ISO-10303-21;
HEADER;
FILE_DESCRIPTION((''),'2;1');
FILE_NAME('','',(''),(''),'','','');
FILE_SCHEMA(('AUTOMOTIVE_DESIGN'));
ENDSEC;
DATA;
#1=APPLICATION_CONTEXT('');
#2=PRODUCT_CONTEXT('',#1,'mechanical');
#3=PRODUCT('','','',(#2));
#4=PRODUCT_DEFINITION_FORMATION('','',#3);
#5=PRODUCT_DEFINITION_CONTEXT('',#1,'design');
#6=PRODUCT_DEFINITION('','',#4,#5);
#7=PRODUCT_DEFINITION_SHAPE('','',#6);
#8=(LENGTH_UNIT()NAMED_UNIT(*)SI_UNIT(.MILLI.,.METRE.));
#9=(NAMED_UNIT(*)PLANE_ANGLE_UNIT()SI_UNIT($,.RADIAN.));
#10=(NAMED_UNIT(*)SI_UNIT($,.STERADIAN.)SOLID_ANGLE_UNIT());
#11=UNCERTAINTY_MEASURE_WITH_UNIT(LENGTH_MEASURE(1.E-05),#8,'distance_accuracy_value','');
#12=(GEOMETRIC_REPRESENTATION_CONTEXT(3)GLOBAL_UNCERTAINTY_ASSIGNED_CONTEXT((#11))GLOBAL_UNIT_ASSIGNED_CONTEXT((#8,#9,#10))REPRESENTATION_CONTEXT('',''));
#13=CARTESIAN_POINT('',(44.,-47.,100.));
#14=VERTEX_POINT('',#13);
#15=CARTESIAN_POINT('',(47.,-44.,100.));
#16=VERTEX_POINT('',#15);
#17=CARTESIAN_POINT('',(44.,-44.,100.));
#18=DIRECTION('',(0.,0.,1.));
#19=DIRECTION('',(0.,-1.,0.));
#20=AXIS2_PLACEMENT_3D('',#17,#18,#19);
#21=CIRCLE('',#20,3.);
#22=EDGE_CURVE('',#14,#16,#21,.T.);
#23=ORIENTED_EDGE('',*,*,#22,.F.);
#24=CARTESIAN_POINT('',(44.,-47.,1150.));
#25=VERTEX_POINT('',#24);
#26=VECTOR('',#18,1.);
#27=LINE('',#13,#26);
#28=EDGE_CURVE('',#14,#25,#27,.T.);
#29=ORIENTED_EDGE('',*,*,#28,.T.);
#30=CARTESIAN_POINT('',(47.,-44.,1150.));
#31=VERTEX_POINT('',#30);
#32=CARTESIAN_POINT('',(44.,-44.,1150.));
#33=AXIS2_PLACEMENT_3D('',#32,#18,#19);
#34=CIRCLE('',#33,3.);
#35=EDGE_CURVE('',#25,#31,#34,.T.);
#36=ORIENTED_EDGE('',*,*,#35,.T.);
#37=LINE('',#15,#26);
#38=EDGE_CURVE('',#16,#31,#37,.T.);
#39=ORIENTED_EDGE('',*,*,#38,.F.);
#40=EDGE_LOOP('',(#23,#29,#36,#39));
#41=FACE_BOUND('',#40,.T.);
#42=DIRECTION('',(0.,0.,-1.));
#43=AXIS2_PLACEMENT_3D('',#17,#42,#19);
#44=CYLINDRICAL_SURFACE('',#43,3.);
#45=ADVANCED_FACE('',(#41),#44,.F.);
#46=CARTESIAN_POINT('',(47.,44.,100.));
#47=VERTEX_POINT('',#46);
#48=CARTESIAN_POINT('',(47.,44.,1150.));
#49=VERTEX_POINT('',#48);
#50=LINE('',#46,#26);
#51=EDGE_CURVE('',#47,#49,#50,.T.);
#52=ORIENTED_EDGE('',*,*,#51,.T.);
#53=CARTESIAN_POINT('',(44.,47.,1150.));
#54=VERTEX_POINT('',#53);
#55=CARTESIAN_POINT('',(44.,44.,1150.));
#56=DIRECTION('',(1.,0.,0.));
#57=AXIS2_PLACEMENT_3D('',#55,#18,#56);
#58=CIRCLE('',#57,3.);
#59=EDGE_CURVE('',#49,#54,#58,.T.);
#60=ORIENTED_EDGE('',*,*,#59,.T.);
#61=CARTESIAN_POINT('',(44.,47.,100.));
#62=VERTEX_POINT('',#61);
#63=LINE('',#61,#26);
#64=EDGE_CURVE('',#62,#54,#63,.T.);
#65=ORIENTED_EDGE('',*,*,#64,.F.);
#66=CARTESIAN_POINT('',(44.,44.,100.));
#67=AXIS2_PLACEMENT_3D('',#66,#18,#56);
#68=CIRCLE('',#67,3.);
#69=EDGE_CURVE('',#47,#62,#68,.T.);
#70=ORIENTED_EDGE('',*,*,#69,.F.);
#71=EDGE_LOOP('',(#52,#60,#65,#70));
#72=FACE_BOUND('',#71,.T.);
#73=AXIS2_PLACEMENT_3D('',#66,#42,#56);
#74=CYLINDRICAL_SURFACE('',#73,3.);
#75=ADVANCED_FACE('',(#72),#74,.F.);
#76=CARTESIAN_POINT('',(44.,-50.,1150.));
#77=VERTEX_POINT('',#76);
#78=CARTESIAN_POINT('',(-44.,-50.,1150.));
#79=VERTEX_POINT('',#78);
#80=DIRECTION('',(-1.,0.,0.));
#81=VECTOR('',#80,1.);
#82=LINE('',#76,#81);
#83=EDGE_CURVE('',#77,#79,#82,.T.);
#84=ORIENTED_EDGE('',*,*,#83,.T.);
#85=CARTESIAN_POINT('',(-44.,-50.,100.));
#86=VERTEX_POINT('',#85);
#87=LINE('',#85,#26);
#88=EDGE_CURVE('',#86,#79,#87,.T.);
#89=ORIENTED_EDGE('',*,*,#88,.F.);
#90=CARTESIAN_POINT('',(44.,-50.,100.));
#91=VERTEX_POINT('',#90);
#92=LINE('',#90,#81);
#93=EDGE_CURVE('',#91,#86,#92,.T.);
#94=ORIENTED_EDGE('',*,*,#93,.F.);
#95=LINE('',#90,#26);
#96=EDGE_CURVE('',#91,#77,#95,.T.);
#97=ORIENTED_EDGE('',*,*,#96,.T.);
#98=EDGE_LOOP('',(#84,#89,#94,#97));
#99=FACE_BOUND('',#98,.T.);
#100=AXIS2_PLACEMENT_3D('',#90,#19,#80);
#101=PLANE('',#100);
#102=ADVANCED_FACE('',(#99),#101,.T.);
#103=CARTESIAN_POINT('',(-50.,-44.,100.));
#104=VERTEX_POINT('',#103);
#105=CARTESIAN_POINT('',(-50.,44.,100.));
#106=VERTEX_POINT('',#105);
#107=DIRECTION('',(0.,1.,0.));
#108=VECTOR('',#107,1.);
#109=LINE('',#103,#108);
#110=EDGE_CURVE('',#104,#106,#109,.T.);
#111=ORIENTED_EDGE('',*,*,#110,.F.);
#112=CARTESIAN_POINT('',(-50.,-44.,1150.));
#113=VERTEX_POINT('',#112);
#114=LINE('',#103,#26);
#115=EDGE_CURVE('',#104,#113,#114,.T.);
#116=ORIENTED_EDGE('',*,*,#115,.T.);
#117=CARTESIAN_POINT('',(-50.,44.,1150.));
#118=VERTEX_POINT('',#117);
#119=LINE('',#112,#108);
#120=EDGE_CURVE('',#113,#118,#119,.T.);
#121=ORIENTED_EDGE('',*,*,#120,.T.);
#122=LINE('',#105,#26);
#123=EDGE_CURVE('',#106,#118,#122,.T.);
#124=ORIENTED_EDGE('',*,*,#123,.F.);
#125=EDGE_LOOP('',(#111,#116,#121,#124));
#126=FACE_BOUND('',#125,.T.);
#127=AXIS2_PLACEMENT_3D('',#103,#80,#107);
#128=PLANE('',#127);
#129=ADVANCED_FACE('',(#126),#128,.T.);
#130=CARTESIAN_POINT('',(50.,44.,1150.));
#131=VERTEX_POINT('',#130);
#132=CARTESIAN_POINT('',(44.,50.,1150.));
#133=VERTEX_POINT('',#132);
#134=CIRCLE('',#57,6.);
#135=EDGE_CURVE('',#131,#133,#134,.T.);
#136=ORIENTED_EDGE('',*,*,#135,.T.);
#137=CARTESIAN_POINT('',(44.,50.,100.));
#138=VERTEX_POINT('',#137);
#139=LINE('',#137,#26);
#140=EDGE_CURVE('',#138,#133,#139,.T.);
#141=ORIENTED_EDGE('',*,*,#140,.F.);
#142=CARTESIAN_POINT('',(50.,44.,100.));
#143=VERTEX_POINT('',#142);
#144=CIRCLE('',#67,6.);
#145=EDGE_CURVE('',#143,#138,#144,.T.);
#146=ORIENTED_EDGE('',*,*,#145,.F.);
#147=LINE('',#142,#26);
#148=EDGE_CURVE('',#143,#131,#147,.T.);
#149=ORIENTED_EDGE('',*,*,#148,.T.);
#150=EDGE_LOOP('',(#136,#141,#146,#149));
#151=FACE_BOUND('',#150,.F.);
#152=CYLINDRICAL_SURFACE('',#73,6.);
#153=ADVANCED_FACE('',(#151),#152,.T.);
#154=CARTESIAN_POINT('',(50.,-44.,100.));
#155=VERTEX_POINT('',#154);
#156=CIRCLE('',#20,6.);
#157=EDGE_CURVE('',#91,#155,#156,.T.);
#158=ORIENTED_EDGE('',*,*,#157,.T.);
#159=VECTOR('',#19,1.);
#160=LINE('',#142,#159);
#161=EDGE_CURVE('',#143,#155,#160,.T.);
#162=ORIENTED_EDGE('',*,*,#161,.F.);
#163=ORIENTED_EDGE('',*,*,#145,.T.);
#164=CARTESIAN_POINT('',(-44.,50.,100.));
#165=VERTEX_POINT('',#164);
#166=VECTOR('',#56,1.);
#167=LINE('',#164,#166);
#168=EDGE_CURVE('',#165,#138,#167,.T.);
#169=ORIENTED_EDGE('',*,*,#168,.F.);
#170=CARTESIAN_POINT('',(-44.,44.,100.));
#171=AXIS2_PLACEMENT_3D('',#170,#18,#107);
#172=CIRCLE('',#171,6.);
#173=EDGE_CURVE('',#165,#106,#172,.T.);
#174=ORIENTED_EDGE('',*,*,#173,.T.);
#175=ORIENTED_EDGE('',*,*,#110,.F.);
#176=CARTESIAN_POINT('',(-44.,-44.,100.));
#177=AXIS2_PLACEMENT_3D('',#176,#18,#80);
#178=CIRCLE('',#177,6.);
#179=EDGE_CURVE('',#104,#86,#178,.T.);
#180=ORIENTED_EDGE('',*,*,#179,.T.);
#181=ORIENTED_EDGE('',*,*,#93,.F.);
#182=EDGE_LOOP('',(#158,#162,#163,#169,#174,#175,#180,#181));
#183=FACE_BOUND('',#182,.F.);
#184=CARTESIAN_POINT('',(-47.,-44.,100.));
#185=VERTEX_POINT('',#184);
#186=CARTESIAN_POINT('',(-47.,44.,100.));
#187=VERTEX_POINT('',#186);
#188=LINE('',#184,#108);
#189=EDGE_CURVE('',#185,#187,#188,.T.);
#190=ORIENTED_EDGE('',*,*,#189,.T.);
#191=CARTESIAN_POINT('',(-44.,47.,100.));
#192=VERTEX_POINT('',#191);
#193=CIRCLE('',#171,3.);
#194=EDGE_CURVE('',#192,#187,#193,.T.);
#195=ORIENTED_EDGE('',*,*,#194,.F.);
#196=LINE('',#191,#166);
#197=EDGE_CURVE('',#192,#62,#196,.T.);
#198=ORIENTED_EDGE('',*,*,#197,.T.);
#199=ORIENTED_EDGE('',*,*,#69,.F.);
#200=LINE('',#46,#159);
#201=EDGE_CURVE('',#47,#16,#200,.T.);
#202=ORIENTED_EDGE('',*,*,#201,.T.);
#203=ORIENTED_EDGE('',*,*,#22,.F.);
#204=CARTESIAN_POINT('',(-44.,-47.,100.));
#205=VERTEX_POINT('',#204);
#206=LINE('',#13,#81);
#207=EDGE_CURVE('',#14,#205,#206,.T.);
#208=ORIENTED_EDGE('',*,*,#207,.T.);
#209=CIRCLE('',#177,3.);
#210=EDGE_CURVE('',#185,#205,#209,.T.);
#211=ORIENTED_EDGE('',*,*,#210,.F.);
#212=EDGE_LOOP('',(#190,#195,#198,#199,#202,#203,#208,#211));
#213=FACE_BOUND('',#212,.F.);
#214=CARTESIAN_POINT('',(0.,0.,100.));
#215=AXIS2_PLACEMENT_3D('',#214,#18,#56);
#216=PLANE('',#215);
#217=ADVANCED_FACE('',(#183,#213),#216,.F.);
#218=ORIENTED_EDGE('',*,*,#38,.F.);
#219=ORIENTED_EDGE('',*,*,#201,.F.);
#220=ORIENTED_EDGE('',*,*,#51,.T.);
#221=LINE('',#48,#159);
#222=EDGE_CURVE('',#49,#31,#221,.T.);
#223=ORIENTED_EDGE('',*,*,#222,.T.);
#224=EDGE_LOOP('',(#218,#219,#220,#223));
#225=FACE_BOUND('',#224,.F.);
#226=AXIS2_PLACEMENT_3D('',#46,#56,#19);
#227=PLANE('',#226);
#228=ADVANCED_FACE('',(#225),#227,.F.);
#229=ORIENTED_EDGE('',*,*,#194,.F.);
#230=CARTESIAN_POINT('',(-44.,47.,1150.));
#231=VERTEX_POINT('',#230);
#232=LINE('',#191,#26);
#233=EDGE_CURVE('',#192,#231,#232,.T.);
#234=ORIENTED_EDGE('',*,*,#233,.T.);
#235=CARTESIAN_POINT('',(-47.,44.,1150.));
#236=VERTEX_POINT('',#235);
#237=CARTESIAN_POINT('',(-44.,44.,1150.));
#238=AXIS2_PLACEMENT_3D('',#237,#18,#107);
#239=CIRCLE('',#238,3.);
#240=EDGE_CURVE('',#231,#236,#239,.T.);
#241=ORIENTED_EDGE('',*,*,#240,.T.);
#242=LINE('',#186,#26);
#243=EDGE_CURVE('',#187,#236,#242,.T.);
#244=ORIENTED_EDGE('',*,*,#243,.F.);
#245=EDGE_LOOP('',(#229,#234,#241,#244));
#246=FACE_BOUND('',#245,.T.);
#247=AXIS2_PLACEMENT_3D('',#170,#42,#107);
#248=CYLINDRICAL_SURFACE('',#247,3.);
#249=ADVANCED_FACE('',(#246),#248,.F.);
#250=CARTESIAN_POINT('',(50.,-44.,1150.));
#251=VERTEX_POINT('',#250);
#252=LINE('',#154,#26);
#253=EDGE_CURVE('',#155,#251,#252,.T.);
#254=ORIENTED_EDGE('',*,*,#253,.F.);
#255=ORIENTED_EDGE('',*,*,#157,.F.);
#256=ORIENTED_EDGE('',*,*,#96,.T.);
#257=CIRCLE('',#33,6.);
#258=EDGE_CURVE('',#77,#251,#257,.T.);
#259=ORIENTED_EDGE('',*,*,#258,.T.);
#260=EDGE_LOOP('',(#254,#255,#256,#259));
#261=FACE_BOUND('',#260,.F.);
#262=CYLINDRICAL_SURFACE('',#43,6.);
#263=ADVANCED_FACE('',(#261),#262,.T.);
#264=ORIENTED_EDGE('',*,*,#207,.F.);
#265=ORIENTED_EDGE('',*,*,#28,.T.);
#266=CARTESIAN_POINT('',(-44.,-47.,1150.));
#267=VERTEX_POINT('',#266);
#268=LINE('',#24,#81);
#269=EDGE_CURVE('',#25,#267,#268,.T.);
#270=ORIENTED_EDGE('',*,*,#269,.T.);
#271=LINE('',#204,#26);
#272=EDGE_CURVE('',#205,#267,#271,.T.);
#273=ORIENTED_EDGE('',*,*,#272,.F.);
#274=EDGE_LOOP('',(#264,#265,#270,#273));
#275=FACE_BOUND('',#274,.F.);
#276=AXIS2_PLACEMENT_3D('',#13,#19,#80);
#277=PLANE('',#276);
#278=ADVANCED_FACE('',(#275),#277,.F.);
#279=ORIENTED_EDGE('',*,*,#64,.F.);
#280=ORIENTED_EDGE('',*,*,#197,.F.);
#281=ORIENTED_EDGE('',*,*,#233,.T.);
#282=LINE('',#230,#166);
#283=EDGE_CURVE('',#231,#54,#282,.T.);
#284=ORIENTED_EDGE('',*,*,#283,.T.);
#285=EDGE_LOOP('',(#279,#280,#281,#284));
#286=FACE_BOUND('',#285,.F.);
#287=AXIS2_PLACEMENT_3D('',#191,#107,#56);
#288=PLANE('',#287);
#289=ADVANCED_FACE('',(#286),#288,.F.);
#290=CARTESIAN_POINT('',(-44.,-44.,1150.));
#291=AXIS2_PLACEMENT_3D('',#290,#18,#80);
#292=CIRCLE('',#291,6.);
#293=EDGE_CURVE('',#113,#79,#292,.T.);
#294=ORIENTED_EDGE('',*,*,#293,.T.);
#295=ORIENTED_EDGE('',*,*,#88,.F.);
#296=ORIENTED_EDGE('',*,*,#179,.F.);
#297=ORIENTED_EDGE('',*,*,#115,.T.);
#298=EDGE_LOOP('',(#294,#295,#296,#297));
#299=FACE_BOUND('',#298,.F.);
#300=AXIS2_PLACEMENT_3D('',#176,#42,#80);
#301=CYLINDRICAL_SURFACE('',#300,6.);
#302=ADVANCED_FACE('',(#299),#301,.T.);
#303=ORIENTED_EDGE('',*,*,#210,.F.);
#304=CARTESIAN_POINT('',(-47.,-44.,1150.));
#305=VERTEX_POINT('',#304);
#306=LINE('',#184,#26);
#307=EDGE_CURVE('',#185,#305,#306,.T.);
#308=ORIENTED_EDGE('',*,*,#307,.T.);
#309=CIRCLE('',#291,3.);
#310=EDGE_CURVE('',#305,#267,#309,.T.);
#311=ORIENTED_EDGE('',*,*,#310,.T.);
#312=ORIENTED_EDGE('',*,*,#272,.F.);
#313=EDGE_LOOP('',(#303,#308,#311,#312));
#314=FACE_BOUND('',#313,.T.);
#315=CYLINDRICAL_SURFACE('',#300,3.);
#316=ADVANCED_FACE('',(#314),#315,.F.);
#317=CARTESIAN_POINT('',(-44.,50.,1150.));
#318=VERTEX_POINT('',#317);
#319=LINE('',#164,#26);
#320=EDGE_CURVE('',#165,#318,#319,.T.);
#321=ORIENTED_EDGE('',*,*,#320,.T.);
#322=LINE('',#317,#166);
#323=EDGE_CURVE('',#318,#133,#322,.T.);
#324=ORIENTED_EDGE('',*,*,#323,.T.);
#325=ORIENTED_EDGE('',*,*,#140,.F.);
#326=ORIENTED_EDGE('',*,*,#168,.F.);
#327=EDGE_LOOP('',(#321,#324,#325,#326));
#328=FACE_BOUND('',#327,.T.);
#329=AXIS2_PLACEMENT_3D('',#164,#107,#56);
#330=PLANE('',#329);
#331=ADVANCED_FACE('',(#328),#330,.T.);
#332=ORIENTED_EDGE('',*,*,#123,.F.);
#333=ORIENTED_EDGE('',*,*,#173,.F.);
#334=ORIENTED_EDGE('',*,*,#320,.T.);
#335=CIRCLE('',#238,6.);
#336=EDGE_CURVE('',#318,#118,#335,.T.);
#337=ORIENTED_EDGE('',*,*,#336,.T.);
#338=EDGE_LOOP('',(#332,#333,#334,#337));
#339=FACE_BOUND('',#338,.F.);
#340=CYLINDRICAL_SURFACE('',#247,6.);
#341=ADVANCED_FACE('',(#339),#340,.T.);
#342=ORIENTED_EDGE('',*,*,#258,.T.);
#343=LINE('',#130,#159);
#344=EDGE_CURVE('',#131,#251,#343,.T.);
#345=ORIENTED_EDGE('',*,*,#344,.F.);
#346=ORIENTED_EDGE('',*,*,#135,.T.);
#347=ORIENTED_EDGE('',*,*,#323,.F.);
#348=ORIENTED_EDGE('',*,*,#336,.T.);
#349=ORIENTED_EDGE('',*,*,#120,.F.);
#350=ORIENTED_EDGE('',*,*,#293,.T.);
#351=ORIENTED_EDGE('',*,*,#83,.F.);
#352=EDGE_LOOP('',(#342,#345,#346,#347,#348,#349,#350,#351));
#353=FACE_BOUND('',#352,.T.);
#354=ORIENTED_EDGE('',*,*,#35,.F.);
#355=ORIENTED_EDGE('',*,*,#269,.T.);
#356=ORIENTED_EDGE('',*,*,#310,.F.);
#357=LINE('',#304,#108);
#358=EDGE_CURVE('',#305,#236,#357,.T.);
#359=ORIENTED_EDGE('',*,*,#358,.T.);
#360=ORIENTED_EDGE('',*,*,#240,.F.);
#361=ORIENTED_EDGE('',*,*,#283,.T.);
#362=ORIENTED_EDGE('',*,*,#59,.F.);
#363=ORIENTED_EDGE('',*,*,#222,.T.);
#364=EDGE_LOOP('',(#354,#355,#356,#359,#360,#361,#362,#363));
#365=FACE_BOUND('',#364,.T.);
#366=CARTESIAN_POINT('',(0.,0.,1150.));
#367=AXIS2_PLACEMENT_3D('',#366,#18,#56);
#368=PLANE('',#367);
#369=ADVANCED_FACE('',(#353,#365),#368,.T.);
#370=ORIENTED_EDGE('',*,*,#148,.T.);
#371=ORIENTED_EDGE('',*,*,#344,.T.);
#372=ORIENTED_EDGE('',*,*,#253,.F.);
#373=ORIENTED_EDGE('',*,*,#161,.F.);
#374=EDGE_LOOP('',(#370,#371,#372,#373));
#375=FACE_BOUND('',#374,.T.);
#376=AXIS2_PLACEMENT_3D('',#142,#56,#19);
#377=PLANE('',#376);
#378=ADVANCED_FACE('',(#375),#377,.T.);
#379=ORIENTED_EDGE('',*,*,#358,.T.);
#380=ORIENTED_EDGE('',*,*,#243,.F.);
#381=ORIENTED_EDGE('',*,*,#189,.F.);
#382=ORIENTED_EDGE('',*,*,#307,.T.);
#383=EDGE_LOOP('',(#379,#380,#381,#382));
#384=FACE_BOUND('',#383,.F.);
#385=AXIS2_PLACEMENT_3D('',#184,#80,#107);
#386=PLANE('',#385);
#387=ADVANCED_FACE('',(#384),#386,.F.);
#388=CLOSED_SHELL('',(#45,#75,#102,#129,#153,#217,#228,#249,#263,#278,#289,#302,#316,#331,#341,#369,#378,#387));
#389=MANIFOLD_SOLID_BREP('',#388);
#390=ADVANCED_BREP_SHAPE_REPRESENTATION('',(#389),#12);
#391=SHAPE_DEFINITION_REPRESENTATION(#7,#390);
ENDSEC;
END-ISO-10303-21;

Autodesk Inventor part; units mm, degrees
ref_plane "YZ Plane" through (0, 0, 0) normal (1, 0, 0) x (0, 1, 0)
ref_plane "Start plane" through (0, 0, 100) normal (0, 0, 1) x (1, 0, 0)
ref_plane "End plane" through (0, 0, 1150) normal (0, 0, 1) x (1, 0, 0)
sketch "Sketch" plane through (0, 0, 0) normal (0, 0, 1) x (1, 0, 0)
  line L0 (-50, -44) -> (-50, 44)
  line L1 (-44, 50) -> (44, 50)
  line L2 (50, 44) -> (50, -44)
  line L3 (44, -50) -> (-44, -50)
  arc A0 (-50, -44) -> (-44, -50) centre (-44, -44) ccw
  arc A1 (50, 44) -> (44, 50) centre (44, 44) ccw
  arc A2 (-44, 50) -> (-50, 44) centre (-44, 44) ccw
  arc A3 (44, -50) -> (50, -44) centre (44, -44) ccw
  arc A4 (-44, 47) -> (-47, 44) centre (-44, 44) ccw
  line L4 (-44, 47) -> (44, 47)
  arc A5 (47, 44) -> (44, 47) centre (44, 44) ccw
  line L5 (47, 44) -> (47, -44)
  arc A6 (44, -47) -> (47, -44) centre (44, -44) ccw
  line L6 (44, -47) -> (-44, -47)
  arc A7 (-47, -44) -> (-44, -47) centre (-44, -44) ccw
  line L7 (-47, -44) -> (-47, 44)
  line L8 (0, 72.3196) -> (0, -72.3196) construction
  line L9 (-72.3196, 0) -> (72.3196, 0) construction
  dimension "d7" = 6
  dimension "d9" = 100
  dimension "d11" = 100
  dimension "d12" = 3
  dimension "d15" = 50
  dimension "d16" = 50
extrude "Body" add sketch "Sketch" along normal up to surface (1050 mm away) from surface at 100
sketch "Sketch3" plane through (0, 0, 0) normal (0, 0, 1) x (1, 0, 0)
  line L0 (0, 0) -> (10, 0)
ref_plane "Work Plane3" through (0, 0, 0) normal (0, -1, 0) x (1, 0, 0)
sketch "Sketch4" plane through (0, 0, 0) normal (0, -1, 0) x (1, 0, 0)
  line L0 (-2, 100) -> (12, 100) projected
  line L1 (-2, 1150) -> (12, 1150) projected
  dimension "d18" = 1050
equation "\"d7\" = G_IR"
equation "\"d9\" = G_W"
equation "\"d11\" = G_H"
equation "\"d12\" = G_T"
equation "\"d15\" = 0.5 * d9"
equation "\"d16\" = 0.5 * d11"
equation "\"d3\" = G_L"
equation "\"G_W\" = 100"
equation "\"G_H\" = 100"
equation "\"G_T\" = 3"
equation "\"G_IR\" = 6"
equation "\"G_L\" = d18"
properties part number "ISO 10799-2 - 100x100x3 - 1050" material "Steel, Mild"
